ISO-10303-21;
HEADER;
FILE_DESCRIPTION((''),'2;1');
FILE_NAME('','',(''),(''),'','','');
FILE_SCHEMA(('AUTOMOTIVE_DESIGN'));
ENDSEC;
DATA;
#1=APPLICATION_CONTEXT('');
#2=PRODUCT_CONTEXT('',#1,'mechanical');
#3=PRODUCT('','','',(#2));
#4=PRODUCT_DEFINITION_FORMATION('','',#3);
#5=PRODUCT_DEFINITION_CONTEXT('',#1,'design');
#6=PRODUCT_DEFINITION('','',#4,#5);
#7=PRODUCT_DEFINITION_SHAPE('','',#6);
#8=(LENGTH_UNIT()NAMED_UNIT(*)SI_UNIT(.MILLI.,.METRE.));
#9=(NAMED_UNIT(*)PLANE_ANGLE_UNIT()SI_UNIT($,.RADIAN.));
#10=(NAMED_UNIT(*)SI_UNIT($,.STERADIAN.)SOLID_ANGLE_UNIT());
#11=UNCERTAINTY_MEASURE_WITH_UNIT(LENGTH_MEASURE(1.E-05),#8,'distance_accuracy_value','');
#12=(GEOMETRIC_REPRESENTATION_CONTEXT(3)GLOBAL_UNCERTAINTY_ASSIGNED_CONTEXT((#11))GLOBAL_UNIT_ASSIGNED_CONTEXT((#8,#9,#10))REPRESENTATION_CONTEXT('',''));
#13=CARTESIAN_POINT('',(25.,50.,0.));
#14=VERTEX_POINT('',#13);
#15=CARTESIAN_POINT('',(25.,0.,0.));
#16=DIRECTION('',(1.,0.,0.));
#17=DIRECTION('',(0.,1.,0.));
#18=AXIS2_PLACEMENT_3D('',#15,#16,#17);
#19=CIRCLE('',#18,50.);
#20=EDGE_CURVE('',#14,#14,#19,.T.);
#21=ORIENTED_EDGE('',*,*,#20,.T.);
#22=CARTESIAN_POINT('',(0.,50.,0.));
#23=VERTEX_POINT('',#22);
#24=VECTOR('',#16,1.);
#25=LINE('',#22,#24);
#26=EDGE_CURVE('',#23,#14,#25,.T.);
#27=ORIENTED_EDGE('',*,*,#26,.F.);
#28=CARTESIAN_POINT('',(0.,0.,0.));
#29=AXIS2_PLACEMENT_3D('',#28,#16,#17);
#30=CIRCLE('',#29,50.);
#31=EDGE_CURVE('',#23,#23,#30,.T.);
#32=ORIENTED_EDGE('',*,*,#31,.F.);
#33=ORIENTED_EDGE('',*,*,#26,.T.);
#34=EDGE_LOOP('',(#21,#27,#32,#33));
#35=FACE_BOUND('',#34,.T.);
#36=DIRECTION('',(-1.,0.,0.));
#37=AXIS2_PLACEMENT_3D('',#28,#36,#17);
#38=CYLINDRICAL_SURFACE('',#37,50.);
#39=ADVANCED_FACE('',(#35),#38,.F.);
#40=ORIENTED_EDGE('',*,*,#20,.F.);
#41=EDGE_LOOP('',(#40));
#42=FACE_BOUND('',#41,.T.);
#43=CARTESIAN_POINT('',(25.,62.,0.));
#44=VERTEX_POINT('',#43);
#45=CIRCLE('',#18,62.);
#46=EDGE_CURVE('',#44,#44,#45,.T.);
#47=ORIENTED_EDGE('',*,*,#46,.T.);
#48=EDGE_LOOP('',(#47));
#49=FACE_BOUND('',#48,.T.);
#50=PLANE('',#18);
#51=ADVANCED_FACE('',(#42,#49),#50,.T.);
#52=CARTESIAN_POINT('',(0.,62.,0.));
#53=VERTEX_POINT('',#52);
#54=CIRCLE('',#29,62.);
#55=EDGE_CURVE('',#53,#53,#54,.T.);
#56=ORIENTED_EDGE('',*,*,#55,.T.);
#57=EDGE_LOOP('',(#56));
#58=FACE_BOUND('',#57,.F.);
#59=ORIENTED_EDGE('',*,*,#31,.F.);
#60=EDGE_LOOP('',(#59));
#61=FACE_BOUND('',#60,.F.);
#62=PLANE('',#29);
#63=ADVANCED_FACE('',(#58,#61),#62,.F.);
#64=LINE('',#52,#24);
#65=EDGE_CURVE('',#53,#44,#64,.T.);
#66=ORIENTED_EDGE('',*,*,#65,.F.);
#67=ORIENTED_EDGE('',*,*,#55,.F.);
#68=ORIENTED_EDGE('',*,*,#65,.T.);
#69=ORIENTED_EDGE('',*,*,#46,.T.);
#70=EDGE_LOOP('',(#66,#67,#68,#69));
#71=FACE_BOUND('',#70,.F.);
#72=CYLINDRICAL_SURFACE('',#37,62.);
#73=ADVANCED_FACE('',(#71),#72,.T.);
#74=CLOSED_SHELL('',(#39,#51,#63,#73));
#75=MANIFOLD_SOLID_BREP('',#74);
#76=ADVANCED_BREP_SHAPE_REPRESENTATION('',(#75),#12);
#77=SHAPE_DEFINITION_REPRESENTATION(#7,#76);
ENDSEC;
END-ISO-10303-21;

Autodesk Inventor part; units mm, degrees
ref_plane "YZ Plane" through (0, 0, 0) normal (1, 0, 0) x (0, 1, 0)
ref_plane "XZ Plane" through (0, 0, 0) normal (0, 1, 0) x (-1, 0, 0)
ref_plane "XY Plane" through (0, 0, 0) normal (0, 0, 1) x (1, 0, 0)
sketch "Sketch1" plane through (0, 0, 0) normal (1, 0, 0) x (0, 1, 0)
  circle A0 centre (0, 0) radius 50
  circle A1 centre (0, 0) radius 62
  dimension "d0" = 100
  dimension "d1" = 124
extrude "Extrusion1" add sketch "Sketch1" along normal blind 25
properties part number "Spaziamento8-9-10ipt" material "Steel, Alloy"
